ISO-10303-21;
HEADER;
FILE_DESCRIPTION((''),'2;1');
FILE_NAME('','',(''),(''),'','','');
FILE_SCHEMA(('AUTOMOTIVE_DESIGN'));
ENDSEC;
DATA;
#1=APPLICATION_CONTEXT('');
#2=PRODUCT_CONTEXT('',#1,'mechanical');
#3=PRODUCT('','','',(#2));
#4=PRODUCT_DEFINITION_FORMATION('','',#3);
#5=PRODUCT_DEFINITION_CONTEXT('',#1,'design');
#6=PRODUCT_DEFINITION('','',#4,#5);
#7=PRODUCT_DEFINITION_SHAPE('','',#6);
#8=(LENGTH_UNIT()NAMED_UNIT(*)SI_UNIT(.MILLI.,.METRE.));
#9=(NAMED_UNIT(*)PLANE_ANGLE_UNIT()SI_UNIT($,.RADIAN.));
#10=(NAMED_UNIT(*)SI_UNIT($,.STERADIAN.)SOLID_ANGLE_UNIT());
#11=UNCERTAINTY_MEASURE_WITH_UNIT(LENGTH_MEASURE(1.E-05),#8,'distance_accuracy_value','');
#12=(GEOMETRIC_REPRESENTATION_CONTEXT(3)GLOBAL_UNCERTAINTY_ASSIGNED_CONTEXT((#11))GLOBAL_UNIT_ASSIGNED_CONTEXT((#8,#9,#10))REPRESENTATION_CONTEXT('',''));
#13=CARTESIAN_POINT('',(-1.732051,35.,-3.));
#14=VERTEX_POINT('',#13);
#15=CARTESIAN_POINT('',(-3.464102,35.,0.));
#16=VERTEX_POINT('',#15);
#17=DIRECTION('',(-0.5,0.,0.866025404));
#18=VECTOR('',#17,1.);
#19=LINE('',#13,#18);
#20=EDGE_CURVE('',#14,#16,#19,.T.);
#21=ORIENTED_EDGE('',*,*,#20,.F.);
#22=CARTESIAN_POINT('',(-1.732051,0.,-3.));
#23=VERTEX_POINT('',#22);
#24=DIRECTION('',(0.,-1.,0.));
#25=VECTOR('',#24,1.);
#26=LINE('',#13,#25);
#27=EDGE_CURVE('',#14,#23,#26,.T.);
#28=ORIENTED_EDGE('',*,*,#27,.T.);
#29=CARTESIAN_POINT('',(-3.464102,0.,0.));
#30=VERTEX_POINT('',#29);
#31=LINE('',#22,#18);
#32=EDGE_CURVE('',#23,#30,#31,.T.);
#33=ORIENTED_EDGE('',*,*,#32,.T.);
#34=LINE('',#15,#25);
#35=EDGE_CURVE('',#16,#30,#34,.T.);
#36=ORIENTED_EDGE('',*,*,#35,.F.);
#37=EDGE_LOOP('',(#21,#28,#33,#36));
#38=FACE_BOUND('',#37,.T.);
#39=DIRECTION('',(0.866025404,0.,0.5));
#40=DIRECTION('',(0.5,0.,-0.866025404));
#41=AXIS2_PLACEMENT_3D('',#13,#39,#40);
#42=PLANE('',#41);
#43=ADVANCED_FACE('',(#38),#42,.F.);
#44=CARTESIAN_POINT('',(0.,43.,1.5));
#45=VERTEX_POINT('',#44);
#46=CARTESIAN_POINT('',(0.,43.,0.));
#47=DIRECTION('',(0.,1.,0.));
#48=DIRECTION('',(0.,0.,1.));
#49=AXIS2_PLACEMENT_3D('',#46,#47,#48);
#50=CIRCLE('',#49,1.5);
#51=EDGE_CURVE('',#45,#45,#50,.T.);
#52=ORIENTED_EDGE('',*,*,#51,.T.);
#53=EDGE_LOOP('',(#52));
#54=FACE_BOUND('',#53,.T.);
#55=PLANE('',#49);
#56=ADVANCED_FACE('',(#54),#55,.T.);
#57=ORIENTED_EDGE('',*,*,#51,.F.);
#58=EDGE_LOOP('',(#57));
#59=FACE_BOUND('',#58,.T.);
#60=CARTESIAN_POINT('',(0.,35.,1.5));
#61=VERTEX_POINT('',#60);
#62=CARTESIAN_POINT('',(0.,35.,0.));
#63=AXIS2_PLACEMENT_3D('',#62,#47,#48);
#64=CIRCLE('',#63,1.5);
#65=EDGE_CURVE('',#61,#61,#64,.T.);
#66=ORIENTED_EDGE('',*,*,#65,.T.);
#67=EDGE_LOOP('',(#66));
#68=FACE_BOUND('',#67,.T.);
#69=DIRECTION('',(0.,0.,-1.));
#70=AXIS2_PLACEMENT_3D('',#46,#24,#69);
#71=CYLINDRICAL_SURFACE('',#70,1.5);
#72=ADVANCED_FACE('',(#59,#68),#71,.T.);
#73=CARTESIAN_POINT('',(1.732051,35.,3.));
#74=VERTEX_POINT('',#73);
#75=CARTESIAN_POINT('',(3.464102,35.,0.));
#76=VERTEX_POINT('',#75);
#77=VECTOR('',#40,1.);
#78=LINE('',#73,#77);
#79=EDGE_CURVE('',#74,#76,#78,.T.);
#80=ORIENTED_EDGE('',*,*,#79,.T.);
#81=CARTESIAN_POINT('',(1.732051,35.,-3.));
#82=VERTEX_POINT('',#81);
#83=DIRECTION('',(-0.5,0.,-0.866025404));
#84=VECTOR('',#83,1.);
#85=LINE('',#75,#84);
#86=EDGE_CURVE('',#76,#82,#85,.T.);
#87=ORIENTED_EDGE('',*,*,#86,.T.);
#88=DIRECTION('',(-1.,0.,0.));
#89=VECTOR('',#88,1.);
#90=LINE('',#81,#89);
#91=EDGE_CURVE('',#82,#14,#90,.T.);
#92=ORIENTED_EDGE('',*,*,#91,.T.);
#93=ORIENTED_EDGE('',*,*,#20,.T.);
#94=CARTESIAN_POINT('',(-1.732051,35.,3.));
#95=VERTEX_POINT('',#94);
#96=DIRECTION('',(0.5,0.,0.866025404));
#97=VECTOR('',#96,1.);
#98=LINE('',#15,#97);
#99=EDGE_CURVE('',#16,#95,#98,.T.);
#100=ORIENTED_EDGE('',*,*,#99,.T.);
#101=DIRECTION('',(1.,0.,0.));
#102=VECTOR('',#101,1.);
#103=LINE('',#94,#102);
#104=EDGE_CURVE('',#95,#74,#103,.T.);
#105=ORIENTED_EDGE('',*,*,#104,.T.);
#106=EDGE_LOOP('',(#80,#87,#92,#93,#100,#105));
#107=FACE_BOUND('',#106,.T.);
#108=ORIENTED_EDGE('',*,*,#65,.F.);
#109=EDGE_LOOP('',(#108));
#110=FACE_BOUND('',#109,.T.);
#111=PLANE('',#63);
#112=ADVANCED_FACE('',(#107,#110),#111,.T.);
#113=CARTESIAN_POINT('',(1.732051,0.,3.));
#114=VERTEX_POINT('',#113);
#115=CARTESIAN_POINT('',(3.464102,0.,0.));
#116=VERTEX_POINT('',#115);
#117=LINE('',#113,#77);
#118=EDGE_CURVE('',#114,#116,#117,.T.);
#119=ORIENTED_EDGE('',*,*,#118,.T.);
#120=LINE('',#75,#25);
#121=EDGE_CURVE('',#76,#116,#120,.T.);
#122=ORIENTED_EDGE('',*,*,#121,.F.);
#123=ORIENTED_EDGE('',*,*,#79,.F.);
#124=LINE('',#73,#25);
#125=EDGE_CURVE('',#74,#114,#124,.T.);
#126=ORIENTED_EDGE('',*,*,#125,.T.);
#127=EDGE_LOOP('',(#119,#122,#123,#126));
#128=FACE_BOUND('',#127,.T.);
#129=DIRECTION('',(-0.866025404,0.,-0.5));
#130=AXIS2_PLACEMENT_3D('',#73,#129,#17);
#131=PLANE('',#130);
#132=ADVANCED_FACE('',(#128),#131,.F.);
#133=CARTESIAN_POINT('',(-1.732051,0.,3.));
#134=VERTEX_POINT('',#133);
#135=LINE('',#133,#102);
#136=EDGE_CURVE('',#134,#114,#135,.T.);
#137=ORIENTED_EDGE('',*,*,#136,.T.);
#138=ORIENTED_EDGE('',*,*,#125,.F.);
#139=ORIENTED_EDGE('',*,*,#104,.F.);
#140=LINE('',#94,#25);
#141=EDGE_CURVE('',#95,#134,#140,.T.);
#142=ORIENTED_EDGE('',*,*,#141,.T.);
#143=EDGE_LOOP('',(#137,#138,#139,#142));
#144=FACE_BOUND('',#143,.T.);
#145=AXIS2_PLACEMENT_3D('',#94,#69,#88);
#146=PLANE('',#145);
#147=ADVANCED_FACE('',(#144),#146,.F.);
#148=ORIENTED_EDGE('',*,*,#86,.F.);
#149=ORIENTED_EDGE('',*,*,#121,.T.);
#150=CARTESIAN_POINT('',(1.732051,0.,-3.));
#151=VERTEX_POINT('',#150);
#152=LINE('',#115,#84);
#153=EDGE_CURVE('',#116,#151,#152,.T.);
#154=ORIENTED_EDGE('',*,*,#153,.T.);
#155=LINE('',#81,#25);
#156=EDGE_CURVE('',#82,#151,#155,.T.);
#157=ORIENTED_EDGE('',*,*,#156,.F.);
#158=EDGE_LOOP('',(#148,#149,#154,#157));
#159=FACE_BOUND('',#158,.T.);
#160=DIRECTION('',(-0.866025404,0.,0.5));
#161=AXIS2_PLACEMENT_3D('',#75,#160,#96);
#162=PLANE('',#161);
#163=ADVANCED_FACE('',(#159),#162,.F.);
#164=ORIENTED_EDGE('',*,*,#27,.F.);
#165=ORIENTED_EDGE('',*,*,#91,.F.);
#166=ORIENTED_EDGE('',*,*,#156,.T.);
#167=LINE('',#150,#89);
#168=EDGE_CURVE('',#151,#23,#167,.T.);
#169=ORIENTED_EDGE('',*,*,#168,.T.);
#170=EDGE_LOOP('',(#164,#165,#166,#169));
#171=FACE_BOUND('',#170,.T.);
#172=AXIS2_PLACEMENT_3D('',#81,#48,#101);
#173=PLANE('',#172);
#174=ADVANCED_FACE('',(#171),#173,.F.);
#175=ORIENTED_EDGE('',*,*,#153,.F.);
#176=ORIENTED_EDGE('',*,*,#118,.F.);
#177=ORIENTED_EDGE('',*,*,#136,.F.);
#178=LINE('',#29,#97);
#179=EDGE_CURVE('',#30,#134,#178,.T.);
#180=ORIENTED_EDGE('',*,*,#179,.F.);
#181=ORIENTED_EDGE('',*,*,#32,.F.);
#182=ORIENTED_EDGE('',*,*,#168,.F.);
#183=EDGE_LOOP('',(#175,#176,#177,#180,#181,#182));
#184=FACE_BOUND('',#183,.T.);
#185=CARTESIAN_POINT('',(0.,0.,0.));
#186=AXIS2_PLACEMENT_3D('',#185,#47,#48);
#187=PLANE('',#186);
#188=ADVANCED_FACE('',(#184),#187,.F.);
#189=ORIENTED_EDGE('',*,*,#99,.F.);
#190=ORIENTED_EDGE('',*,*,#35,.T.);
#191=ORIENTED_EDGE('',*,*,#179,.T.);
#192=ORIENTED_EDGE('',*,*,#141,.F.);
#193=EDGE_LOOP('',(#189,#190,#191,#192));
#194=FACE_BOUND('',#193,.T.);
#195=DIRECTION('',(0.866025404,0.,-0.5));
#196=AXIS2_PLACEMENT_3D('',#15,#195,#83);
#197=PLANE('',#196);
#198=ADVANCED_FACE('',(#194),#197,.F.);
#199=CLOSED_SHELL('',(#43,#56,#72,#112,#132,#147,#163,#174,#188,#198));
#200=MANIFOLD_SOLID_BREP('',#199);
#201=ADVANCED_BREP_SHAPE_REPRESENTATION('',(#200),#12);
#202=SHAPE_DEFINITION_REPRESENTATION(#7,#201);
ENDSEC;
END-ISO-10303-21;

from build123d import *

# Parameters (mm, degrees)
BOSS_EXTRUDE1_DEPTH = 35
SKETCH2_R           = 1.5
BOSS_EXTRUDE2_DEPTH = 8


with BuildPart() as part:
    # Sketch1 → Boss-Extrude1 (new body)
    with BuildSketch(Plane(origin=(0, 0, 0), x_dir=(1, 0, 0), z_dir=(0, 1, 0))):
        Polygon((1.732050808, -3), (3.464101615, 0), (1.732050808, 3), (-1.732050808, 3), (-3.464101615, 0), (-1.732050808, -3), align=None)
    extrude(amount=BOSS_EXTRUDE1_DEPTH)

    # Sketch2 → Boss-Extrude2 (add)
    with BuildSketch(Plane(origin=(0, 35, 0), x_dir=(1, 0, 0), z_dir=(0, 1, 0))):
        with Locations(Location((0, 0, 0), (0, 0, 270))):
            Circle(SKETCH2_R)
    extrude(amount=BOSS_EXTRUDE2_DEPTH)


solid = part.part
